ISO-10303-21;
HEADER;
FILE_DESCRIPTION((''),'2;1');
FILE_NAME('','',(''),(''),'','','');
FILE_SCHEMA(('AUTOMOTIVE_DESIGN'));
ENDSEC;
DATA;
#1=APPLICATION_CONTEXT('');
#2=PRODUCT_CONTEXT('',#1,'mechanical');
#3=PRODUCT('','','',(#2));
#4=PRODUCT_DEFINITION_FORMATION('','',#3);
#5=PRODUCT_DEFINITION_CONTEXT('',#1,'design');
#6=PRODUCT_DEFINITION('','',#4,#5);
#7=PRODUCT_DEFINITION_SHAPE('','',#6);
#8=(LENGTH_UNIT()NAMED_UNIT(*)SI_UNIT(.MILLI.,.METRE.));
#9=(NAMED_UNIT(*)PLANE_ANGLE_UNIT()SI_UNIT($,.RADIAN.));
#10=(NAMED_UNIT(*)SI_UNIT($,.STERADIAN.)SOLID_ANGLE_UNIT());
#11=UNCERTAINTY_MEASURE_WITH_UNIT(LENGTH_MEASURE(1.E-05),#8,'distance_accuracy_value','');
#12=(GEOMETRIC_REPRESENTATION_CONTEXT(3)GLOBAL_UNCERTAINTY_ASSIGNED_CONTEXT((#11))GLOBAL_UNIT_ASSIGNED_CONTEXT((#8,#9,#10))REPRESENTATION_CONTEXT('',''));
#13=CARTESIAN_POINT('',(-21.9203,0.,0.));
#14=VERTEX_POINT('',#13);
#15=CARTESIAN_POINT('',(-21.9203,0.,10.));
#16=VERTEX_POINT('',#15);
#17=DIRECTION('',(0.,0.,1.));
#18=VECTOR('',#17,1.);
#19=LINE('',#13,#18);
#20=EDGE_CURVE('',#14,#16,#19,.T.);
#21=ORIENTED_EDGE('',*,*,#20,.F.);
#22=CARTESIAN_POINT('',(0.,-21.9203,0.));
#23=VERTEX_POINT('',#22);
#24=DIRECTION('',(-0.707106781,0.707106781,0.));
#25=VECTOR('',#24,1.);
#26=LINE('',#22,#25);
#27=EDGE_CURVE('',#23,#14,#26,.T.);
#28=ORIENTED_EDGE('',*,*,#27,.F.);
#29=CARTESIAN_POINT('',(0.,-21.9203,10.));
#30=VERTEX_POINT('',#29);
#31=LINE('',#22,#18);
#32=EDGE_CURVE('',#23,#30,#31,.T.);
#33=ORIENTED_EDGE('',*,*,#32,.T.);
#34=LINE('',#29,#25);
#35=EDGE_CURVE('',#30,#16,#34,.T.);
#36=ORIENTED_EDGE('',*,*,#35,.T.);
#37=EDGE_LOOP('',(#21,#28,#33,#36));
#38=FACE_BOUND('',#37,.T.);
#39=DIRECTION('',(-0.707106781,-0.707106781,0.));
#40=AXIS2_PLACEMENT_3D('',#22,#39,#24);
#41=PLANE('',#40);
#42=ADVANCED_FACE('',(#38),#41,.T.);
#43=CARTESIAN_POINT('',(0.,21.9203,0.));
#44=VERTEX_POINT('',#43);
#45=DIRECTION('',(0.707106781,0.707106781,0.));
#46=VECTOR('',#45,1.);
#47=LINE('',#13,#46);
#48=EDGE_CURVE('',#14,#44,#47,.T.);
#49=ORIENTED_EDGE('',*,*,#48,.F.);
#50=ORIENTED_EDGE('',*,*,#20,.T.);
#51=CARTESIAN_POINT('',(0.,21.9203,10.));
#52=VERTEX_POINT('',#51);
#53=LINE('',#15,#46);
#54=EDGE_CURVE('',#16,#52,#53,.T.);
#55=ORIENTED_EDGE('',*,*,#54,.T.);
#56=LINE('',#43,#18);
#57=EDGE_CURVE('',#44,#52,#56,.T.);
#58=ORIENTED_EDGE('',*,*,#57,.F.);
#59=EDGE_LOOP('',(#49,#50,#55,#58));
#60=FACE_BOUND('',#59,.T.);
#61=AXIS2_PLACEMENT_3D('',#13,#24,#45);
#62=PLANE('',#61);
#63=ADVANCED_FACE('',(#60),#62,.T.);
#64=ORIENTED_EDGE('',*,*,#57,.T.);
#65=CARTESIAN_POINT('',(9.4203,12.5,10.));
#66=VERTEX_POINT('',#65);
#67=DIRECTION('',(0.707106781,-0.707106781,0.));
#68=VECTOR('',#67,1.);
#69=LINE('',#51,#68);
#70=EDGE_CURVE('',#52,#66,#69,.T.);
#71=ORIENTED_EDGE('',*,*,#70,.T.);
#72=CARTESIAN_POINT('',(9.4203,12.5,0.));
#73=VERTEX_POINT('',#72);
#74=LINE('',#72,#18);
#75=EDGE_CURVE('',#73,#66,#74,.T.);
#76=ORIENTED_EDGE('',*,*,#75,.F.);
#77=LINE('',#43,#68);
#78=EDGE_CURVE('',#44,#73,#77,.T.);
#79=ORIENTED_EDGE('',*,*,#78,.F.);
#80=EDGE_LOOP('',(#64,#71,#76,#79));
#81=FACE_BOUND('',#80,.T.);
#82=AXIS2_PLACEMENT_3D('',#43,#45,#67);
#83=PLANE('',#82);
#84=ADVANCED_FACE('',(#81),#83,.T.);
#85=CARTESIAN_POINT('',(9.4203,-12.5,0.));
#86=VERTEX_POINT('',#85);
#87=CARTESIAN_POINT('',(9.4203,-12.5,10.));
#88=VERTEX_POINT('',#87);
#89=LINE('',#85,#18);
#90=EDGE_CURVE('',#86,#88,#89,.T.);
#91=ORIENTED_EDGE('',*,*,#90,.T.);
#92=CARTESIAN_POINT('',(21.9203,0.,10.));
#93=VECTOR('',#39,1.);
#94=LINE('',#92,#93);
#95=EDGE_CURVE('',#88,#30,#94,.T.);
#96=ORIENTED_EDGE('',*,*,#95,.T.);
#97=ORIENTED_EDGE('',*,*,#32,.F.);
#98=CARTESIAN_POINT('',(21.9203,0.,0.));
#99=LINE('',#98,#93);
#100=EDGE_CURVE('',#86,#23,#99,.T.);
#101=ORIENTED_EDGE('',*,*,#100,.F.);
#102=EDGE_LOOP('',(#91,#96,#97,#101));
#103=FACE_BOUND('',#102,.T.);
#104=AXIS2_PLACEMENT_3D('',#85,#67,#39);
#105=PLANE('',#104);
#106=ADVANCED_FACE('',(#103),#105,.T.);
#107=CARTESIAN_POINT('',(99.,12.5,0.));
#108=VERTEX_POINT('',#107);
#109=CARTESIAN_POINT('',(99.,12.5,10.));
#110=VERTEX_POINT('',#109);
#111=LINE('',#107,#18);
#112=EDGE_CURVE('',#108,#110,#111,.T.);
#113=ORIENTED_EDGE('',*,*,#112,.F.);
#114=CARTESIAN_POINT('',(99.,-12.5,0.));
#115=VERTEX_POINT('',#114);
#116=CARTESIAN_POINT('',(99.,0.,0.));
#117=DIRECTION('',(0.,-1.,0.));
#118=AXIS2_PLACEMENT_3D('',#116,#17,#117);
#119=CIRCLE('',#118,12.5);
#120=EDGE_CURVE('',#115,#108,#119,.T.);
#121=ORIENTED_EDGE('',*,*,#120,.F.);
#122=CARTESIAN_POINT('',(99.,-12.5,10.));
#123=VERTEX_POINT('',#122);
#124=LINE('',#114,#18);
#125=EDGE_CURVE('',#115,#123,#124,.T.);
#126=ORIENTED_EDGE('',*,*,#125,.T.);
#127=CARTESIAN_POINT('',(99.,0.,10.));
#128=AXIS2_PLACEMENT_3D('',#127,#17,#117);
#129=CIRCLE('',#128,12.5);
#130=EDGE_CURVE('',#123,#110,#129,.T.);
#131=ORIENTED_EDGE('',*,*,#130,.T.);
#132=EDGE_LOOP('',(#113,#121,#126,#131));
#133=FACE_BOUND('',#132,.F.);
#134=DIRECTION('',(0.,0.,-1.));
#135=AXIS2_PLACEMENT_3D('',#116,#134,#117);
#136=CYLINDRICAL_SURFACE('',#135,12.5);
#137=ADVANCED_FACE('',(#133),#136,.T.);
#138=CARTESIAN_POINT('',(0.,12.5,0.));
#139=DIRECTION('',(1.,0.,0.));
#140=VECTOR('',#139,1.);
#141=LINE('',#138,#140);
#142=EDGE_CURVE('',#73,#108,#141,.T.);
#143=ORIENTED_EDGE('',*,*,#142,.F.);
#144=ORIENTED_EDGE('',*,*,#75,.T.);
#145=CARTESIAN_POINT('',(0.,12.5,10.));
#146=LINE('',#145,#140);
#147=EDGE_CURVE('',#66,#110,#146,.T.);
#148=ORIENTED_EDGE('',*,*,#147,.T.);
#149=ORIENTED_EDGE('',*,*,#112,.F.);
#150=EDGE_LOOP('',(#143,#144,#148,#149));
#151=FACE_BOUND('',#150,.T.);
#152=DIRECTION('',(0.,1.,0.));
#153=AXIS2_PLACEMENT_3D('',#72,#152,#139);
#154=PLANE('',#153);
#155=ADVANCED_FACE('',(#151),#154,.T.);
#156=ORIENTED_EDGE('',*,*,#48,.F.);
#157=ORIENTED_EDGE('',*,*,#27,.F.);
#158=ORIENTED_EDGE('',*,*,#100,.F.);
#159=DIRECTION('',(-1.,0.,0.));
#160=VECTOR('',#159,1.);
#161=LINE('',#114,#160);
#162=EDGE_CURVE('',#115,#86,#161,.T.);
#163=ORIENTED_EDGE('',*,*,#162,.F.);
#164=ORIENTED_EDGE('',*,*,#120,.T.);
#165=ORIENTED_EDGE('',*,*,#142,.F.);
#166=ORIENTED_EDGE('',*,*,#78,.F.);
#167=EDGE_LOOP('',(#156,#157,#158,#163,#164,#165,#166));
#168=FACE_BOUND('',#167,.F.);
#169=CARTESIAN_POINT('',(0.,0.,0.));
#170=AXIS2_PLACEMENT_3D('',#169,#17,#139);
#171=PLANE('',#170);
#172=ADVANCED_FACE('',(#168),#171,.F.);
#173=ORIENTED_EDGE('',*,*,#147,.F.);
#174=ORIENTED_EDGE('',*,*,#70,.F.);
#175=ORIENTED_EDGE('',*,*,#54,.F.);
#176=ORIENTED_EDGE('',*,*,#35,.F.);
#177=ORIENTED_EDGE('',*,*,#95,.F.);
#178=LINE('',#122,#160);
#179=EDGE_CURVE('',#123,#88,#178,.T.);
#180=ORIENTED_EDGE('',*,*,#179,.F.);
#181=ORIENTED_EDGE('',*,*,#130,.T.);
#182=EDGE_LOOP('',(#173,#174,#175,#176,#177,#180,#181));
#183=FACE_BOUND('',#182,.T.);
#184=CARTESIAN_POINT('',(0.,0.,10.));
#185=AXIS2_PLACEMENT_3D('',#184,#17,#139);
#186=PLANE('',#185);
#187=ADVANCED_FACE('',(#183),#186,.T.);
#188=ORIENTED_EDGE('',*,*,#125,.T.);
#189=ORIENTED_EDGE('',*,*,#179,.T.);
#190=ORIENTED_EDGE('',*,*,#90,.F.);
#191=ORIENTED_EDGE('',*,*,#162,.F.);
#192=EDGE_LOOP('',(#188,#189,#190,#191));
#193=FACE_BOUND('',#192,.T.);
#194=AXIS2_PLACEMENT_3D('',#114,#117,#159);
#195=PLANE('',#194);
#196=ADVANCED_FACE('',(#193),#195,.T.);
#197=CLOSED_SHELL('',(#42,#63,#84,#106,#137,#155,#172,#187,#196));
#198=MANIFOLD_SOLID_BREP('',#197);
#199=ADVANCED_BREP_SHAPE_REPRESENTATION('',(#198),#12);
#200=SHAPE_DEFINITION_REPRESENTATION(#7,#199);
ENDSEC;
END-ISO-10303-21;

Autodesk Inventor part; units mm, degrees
ref_plane "YZ Plane" through (0, 0, 0) normal (1, 0, 0) x (0, 1, 0)
ref_plane "XZ Plane" through (0, 0, 0) normal (0, 1, 0) x (-1, 0, 0)
ref_plane "XY Plane" through (0, 0, 0) normal (0, 0, 1) x (1, 0, 0)
sketch "Sketch1" plane through (0, 0, 0) normal (0, 0, 1) x (1, 0, 0)
  line L0 (0, 21.9203) -> (21.9203, 0)
  line L1 (21.9203, 0) -> (0, -21.9203)
  line L2 (0, -21.9203) -> (-21.9203, 0)
  line L3 (-21.9203, 0) -> (0, 21.9203)
  line L4 (0, 12.5) -> (99, 12.5)
  arc A0 (99, -12.5) -> (99, 12.5) centre (99, 0) ccw
  line L5 (99, -12.5) -> (0, -12.5)
  line L6 (0, -12.5) -> (0, 12.5)
  point P0 (0, 0)
  point P1 (0, 0)
  point P2 (0, 0)
  dimension "d0" = 31
  dimension "d1" = 99
  dimension "d2" = 25
extrude "Extrusion1" add sketch "Sketch1" along normal blind 10
properties part number "layout aide"
